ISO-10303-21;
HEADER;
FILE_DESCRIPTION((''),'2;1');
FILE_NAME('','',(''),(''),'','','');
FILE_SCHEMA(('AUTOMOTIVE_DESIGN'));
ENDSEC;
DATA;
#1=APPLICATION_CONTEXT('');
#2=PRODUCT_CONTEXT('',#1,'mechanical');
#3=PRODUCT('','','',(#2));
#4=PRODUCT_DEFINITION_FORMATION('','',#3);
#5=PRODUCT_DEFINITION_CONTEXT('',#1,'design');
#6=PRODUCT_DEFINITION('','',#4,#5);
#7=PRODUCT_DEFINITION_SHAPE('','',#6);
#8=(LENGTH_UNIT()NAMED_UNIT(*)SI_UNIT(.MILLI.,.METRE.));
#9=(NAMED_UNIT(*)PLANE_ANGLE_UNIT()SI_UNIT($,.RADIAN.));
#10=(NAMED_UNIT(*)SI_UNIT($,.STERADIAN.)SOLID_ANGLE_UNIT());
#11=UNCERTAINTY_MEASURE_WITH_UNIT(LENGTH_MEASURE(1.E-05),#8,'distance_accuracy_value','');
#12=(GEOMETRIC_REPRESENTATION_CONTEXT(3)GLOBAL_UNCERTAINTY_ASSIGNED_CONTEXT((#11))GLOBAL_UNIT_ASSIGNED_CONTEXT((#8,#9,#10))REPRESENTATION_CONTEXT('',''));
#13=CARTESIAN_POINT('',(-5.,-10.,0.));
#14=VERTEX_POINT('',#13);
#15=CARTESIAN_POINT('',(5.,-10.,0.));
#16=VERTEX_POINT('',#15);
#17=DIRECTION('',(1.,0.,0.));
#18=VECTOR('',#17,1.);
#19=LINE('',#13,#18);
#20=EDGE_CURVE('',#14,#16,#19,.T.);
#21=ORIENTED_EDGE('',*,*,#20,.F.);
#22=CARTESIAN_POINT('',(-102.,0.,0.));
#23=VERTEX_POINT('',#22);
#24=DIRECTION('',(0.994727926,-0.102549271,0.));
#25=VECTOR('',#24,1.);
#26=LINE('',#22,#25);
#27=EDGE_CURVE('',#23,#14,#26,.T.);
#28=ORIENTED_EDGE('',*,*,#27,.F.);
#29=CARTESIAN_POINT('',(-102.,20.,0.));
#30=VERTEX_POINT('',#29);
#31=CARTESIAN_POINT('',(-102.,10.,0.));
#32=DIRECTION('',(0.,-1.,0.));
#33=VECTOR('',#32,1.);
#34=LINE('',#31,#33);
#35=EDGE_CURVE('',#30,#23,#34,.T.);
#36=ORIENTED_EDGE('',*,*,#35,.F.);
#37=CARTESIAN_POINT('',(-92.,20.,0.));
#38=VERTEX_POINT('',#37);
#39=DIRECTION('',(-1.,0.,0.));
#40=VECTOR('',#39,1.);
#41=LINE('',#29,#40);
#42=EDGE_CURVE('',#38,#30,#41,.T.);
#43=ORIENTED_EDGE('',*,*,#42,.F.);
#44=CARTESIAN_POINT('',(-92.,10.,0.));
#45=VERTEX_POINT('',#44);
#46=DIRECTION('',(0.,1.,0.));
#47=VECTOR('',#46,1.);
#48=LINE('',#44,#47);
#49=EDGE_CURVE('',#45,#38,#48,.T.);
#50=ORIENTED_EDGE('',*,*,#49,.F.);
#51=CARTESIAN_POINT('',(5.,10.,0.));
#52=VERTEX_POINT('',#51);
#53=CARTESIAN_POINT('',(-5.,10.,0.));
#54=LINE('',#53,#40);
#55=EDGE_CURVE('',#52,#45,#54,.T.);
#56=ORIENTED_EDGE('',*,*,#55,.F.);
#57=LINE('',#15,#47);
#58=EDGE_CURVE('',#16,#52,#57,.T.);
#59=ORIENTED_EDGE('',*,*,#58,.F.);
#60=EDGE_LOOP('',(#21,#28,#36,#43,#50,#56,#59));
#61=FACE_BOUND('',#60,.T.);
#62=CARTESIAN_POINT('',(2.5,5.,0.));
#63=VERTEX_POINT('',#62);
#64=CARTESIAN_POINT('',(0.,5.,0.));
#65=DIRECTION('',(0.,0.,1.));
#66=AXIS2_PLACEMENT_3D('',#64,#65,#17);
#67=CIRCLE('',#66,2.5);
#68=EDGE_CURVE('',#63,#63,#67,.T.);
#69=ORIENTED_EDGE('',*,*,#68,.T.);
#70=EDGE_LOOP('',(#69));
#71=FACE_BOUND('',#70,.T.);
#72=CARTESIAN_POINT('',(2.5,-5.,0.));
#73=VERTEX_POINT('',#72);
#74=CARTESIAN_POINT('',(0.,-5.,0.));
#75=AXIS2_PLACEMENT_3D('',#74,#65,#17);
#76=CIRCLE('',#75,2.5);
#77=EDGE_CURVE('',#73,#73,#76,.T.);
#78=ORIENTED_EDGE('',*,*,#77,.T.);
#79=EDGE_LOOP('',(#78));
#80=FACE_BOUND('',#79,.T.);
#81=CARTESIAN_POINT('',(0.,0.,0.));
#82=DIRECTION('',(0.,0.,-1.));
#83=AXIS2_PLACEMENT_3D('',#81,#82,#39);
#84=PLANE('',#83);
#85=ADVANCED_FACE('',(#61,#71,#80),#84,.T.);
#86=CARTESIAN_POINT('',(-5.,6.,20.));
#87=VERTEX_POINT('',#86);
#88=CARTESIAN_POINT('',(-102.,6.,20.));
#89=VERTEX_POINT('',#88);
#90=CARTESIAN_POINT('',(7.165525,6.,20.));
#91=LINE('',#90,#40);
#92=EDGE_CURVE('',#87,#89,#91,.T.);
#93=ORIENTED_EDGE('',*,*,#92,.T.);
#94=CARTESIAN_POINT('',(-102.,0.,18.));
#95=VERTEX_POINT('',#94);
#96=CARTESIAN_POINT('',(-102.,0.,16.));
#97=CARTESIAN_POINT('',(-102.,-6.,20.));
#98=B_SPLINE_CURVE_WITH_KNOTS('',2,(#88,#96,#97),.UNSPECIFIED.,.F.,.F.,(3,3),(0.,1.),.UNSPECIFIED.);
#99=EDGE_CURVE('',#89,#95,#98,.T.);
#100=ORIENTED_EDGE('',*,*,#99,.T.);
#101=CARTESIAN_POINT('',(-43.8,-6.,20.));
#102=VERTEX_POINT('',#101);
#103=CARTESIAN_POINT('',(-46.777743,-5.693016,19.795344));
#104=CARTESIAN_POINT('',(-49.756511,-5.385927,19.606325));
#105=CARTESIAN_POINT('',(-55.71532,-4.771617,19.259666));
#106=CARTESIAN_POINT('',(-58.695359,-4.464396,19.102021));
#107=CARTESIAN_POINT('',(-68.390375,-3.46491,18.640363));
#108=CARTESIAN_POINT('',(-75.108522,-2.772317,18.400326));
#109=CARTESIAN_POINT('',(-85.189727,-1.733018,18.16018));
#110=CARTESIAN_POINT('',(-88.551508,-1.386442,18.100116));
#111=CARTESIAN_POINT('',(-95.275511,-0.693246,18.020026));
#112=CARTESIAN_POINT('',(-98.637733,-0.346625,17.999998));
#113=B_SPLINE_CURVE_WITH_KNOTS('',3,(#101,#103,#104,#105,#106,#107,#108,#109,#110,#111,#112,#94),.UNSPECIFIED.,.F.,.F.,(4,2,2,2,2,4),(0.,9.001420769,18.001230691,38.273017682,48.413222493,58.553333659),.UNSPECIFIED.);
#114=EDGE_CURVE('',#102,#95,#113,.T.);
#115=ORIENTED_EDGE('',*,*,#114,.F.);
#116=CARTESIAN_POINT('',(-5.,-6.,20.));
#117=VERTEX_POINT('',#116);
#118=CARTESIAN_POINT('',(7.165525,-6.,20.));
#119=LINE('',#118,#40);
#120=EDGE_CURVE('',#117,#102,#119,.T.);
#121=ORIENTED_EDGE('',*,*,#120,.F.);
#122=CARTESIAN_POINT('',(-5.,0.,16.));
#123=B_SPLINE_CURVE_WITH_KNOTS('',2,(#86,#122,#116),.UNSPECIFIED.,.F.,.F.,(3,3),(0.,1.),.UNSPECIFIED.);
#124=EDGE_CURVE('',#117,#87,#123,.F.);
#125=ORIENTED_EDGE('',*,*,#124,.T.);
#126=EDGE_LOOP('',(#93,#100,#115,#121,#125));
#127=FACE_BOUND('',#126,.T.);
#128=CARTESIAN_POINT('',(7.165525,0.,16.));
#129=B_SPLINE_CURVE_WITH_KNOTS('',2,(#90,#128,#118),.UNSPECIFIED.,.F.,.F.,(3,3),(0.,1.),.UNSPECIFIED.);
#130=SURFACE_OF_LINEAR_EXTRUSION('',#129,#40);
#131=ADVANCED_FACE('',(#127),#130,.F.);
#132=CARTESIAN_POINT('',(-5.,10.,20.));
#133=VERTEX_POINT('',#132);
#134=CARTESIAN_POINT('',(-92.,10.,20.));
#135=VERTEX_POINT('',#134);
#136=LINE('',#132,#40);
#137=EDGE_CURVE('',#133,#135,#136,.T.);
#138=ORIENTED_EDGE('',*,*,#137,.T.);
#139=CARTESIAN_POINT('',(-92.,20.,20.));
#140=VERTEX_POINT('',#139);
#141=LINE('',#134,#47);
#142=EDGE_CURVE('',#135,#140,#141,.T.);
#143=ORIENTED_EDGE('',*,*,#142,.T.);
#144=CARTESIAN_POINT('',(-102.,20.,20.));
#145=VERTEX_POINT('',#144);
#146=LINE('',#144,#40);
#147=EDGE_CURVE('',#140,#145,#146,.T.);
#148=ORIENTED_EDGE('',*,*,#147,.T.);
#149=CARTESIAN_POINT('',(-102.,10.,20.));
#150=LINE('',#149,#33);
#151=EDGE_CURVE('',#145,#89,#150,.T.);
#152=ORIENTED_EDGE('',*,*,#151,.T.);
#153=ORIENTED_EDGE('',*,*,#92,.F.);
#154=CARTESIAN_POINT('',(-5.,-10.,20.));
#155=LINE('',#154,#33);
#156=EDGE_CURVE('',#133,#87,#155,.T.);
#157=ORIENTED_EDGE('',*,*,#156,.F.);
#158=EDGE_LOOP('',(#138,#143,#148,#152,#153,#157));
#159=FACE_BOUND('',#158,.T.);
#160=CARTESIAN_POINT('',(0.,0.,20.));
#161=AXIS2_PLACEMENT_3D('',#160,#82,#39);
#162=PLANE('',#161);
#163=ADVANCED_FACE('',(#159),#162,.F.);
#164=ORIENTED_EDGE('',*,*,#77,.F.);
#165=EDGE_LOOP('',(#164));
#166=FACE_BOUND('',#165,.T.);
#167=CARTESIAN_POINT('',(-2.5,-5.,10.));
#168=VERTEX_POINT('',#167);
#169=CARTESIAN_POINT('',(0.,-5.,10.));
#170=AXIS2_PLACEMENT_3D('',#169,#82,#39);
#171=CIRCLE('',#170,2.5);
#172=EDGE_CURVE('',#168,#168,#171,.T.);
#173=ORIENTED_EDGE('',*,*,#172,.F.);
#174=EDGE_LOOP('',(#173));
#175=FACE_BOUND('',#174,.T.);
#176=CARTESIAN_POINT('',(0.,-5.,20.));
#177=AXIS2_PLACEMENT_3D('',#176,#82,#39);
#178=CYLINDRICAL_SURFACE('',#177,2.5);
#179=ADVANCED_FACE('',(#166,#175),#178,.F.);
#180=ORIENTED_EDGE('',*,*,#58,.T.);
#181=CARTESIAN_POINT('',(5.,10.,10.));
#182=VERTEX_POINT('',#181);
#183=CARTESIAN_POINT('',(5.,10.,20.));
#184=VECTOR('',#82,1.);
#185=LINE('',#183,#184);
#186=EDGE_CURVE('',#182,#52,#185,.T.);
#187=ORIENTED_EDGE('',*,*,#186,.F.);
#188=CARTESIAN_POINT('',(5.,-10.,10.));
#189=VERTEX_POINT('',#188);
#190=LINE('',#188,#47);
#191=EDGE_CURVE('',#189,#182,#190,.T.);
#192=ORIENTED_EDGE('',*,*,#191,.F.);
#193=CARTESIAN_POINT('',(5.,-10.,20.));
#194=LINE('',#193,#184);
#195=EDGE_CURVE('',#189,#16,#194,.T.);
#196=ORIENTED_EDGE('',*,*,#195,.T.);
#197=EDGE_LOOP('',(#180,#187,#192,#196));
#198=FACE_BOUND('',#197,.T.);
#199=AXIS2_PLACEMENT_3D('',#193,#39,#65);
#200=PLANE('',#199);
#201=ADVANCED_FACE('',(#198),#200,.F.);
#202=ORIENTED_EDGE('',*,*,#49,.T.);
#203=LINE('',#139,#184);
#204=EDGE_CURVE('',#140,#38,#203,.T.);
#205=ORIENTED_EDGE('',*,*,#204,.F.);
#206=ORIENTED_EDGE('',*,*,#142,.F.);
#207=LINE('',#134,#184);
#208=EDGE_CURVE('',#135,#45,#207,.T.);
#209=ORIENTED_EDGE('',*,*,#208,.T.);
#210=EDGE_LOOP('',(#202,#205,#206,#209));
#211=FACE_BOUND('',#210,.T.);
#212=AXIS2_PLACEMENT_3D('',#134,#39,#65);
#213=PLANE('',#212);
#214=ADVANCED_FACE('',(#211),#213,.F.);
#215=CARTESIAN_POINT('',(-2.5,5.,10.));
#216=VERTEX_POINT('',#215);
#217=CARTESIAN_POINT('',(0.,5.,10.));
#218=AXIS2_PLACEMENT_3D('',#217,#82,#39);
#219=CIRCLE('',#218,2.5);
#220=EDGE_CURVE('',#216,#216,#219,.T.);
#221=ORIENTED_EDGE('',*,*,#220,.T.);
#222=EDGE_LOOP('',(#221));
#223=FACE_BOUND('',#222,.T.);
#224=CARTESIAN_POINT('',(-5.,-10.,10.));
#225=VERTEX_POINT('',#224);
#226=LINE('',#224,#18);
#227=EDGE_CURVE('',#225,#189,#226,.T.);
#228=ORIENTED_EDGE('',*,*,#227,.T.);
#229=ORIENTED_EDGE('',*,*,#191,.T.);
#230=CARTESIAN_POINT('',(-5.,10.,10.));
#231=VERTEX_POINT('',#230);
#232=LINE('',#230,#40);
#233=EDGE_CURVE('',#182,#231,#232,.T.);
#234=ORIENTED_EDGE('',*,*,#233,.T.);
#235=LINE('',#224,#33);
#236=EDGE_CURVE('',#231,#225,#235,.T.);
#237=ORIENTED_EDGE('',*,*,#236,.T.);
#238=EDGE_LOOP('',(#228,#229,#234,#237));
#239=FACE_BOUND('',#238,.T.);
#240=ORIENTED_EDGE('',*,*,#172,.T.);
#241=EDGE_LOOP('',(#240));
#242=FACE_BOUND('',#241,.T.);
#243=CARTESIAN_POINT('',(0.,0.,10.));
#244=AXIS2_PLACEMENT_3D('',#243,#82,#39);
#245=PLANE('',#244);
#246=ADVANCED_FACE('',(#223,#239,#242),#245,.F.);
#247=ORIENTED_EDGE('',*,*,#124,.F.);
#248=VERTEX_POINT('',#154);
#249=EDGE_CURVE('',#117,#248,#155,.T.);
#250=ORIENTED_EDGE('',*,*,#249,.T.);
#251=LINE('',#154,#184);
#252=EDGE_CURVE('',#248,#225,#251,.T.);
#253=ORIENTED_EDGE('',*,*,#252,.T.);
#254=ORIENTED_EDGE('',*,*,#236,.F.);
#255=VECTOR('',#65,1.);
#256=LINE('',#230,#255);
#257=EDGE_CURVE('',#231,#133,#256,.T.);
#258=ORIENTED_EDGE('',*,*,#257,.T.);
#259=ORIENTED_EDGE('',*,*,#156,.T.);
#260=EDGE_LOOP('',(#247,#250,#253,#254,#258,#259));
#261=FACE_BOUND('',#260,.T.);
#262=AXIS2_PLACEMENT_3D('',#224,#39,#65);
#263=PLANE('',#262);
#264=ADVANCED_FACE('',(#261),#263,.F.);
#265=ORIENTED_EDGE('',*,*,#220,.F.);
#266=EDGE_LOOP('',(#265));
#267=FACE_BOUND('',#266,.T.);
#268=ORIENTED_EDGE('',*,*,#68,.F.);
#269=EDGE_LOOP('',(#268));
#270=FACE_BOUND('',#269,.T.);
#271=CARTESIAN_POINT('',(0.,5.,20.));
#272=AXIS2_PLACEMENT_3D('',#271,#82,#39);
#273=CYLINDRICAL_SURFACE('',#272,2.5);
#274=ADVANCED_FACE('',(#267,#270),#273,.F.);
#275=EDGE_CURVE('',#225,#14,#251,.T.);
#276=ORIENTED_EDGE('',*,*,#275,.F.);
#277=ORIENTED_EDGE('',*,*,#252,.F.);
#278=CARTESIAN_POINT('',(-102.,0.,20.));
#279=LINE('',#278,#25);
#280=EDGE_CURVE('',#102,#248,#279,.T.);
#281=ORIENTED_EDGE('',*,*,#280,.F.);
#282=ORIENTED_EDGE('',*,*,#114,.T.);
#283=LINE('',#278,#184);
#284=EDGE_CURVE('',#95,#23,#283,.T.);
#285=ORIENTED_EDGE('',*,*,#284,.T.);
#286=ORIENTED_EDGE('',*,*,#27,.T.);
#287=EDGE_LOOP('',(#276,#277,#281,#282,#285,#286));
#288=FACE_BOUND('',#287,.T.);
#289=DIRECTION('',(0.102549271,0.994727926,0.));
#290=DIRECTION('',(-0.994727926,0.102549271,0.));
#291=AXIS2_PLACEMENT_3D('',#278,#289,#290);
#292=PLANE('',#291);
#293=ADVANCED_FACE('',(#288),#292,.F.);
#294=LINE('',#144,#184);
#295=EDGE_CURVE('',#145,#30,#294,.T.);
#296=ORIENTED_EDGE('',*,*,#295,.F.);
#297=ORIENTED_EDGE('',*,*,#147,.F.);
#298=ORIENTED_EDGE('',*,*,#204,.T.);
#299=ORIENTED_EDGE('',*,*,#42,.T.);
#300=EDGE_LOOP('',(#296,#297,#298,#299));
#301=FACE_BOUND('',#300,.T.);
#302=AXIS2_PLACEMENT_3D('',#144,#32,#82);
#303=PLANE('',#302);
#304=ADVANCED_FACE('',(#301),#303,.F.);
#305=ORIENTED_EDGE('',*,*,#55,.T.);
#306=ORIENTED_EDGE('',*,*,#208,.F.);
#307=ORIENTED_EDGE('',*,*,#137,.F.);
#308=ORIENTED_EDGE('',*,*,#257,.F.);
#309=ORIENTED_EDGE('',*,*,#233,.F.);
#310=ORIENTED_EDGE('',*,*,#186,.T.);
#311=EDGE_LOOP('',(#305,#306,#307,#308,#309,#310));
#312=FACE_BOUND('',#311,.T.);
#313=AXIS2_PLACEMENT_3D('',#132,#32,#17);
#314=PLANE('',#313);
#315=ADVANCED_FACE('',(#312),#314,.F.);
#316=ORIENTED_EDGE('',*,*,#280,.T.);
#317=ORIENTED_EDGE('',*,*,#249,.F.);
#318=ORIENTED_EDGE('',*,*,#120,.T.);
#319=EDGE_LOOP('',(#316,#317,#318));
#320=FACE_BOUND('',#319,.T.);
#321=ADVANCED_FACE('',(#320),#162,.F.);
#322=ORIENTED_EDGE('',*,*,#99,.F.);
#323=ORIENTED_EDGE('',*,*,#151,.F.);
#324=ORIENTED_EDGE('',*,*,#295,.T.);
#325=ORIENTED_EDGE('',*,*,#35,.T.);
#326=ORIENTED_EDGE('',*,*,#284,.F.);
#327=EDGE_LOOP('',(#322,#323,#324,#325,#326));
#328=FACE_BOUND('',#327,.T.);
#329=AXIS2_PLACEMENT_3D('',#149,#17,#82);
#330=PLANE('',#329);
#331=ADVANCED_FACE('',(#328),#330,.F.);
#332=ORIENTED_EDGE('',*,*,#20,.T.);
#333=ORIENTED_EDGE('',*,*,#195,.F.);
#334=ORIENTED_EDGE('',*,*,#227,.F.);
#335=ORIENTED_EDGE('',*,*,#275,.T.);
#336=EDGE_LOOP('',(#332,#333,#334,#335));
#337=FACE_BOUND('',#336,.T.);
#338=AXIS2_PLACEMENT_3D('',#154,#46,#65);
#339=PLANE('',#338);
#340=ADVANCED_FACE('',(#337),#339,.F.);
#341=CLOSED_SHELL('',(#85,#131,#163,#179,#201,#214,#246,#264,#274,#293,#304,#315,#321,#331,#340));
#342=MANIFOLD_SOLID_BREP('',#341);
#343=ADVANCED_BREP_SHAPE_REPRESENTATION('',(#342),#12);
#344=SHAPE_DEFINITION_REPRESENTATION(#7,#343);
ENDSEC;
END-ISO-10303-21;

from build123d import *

# Parameters (mm, degrees)
ESQUISSE1_R             = 2.5
BOSS_EXTRU_1_DEPTH      = 20
ESQUISSE2_W             = 10
ESQUISSE2_H             = 20
ENL_V_MAT_EXTRU_1_DEPTH = 10
ENL_V_MAT_EXTRU_2_REACH = 112.675


with BuildPart() as part:
    # Esquisse1 → Boss.-Extru.1 (new body)
    with BuildSketch(Plane.XY):
        Polygon((-102, 0), (-5, -10), (5, -10), (5, 10), (-5, 10), (-92, 10), (-92, 20), (-102, 20), (-102, 10), align=None)
        with Locations((0, 5)):
            Circle(ESQUISSE1_R, mode=Mode.SUBTRACT)
        with Locations((0, -5)):
            Circle(ESQUISSE1_R, mode=Mode.SUBTRACT)
    extrude(amount=BOSS_EXTRU_1_DEPTH)

    # Esquisse2 → Enlèv. mat.-Extru.1 (cut)
    with BuildSketch(Plane.XY.offset(20)):
        Rectangle(ESQUISSE2_W, ESQUISSE2_H)
    extrude(amount=-ENL_V_MAT_EXTRU_1_DEPTH, mode=Mode.SUBTRACT)

    # Enlèv. mat.-Extru.2: up to this face of the body (flat: up to its plane)
    enl_v_mat_extru_2_end = Plane(part.part.faces().sort_by_distance((-5, 0, 15))[0])
    # Esquisse4 → Enlèv. mat.-Extru.2 (cut, up to the picked face)
    with BuildSketch(Plane.ZY.offset(102), mode=Mode.PRIVATE) as enl_v_mat_extru_2_sk1:
        with BuildLine():
            Line((20, 6), (20, -6))
            add(Edge.make_bspline(
                [(20, 6), (16, 0), (20, -6)],
                knots=[0, 0, 0, 1, 1, 1], degree=2))
        make_face()
    enl_v_mat_extru_2_tool1 = split(extrude(enl_v_mat_extru_2_sk1.sketch, amount=-ENL_V_MAT_EXTRU_2_REACH, mode=Mode.PRIVATE), bisect_by=enl_v_mat_extru_2_end, keep=Keep.BOTH, mode=Mode.PRIVATE)
    add(enl_v_mat_extru_2_tool1.solids().sort_by(Axis((-102, 0, 19.2), (1, 0, 0)))[0], mode=Mode.SUBTRACT)


solid = part.part
